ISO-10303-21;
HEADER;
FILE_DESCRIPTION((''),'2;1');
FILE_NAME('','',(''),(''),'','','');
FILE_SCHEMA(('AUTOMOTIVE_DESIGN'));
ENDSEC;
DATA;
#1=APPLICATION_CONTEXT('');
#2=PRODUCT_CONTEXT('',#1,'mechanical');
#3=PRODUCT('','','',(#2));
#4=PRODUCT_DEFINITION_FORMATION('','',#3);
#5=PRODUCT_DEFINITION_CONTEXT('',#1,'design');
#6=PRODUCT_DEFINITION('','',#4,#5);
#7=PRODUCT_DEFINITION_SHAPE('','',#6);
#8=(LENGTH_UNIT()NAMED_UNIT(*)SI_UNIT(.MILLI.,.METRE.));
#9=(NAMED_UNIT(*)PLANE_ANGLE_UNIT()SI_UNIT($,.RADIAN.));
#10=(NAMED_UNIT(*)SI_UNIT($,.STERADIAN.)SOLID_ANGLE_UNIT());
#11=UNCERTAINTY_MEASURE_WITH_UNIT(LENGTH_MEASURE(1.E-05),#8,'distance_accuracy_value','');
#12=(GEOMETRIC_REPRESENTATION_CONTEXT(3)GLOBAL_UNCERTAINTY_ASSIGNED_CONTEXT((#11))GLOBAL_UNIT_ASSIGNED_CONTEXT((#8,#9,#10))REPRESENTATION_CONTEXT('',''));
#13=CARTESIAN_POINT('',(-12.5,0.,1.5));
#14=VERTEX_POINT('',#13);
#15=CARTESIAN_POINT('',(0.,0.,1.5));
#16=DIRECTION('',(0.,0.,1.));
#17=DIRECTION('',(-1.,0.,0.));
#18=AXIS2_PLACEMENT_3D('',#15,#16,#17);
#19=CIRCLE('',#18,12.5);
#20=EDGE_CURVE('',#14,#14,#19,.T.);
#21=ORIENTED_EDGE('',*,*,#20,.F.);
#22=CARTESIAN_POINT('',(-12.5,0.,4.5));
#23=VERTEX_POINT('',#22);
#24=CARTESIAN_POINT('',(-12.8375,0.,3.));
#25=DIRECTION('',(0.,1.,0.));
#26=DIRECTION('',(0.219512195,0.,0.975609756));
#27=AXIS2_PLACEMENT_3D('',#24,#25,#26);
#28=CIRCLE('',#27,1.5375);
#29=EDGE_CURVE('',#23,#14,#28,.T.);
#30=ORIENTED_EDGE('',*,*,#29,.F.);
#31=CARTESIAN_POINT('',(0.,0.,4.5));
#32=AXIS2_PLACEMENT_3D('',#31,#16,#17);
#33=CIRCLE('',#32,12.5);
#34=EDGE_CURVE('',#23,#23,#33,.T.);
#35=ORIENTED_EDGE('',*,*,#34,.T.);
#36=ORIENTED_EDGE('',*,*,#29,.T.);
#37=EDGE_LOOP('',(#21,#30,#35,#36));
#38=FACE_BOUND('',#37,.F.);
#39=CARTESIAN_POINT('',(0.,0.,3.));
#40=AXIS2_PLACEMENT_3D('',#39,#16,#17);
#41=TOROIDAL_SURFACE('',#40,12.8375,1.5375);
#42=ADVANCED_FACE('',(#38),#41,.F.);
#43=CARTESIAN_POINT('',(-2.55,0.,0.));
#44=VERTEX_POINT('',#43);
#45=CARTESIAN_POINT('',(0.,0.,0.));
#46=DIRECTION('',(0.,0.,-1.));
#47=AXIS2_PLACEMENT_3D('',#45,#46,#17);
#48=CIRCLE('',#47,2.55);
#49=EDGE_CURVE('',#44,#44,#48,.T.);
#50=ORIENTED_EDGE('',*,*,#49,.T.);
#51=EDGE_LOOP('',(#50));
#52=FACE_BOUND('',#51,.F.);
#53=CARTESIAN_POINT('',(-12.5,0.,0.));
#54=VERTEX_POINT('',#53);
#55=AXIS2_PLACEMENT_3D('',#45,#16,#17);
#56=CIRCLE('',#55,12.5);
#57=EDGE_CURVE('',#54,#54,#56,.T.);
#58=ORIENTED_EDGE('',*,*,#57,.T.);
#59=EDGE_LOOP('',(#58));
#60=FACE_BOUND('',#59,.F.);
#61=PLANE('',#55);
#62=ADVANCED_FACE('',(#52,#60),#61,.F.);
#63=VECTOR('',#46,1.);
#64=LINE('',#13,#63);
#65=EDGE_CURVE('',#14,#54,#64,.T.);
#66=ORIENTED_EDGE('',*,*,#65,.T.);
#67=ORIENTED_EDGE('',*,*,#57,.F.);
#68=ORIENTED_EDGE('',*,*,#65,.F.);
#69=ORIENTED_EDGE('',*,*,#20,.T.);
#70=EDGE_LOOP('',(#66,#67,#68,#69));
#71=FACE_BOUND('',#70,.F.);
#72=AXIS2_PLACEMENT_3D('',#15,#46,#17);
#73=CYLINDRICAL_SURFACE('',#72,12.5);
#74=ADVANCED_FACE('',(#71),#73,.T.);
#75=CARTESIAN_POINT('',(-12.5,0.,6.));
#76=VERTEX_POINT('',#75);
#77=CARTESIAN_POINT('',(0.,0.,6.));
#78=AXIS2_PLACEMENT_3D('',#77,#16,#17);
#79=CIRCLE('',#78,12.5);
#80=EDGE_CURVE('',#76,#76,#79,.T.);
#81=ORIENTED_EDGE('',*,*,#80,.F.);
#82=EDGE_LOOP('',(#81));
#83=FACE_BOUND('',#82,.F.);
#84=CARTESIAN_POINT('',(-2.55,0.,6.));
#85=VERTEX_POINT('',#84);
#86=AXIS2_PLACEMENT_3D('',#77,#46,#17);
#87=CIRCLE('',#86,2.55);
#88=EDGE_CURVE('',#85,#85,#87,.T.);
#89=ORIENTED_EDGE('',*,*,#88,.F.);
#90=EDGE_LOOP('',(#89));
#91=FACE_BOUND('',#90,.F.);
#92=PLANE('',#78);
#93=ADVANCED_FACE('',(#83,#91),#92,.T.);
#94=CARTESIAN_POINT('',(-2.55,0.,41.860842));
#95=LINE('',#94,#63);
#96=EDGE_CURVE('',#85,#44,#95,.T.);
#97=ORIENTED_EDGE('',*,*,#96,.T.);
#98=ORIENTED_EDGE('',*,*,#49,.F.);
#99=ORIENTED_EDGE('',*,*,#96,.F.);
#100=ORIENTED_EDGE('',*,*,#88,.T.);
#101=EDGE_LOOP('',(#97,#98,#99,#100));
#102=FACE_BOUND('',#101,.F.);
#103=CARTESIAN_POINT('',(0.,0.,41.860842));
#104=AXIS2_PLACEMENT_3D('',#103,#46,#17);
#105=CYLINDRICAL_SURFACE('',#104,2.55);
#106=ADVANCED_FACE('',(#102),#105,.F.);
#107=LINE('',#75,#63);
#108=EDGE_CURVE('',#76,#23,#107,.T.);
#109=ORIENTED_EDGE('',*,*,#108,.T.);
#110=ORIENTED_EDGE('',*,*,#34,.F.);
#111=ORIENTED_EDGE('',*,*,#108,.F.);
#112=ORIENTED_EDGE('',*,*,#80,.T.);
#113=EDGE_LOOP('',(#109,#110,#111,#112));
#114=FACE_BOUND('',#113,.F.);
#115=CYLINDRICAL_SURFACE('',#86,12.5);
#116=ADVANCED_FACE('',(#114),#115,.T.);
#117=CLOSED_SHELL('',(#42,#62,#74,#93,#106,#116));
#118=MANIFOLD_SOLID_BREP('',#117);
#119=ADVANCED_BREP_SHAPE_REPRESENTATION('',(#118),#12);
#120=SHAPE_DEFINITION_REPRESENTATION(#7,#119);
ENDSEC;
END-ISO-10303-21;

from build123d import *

# Parameters (mm, degrees)
F3_D = 5.1


with BuildPart() as f1:
    # F0 (on Front) → F1 (revolve)
    with BuildSketch(Plane.XZ):
        with BuildLine():
            Line((-12.5, 0), (0, 0))
            Line((0, 0), (0, 6))
            Line((0, 6), (-12.5, 6))
            Line((-12.5, 6), (-12.5, 4.5))
            ThreePointArc((-12.5, 4.5), (-11.3, 3), (-12.5, 1.5))
            Line((-12.5, 1.5), (-12.5, 0))
        make_face()
    revolve(axis=Axis((0, 0, 3), (0, 0, 1)))

    # F3 (through all)
    with Locations(Plane.XY.offset(6)):
        with Locations((0, 0)):
            Hole(F3_D / 2)


solid = f1.part
